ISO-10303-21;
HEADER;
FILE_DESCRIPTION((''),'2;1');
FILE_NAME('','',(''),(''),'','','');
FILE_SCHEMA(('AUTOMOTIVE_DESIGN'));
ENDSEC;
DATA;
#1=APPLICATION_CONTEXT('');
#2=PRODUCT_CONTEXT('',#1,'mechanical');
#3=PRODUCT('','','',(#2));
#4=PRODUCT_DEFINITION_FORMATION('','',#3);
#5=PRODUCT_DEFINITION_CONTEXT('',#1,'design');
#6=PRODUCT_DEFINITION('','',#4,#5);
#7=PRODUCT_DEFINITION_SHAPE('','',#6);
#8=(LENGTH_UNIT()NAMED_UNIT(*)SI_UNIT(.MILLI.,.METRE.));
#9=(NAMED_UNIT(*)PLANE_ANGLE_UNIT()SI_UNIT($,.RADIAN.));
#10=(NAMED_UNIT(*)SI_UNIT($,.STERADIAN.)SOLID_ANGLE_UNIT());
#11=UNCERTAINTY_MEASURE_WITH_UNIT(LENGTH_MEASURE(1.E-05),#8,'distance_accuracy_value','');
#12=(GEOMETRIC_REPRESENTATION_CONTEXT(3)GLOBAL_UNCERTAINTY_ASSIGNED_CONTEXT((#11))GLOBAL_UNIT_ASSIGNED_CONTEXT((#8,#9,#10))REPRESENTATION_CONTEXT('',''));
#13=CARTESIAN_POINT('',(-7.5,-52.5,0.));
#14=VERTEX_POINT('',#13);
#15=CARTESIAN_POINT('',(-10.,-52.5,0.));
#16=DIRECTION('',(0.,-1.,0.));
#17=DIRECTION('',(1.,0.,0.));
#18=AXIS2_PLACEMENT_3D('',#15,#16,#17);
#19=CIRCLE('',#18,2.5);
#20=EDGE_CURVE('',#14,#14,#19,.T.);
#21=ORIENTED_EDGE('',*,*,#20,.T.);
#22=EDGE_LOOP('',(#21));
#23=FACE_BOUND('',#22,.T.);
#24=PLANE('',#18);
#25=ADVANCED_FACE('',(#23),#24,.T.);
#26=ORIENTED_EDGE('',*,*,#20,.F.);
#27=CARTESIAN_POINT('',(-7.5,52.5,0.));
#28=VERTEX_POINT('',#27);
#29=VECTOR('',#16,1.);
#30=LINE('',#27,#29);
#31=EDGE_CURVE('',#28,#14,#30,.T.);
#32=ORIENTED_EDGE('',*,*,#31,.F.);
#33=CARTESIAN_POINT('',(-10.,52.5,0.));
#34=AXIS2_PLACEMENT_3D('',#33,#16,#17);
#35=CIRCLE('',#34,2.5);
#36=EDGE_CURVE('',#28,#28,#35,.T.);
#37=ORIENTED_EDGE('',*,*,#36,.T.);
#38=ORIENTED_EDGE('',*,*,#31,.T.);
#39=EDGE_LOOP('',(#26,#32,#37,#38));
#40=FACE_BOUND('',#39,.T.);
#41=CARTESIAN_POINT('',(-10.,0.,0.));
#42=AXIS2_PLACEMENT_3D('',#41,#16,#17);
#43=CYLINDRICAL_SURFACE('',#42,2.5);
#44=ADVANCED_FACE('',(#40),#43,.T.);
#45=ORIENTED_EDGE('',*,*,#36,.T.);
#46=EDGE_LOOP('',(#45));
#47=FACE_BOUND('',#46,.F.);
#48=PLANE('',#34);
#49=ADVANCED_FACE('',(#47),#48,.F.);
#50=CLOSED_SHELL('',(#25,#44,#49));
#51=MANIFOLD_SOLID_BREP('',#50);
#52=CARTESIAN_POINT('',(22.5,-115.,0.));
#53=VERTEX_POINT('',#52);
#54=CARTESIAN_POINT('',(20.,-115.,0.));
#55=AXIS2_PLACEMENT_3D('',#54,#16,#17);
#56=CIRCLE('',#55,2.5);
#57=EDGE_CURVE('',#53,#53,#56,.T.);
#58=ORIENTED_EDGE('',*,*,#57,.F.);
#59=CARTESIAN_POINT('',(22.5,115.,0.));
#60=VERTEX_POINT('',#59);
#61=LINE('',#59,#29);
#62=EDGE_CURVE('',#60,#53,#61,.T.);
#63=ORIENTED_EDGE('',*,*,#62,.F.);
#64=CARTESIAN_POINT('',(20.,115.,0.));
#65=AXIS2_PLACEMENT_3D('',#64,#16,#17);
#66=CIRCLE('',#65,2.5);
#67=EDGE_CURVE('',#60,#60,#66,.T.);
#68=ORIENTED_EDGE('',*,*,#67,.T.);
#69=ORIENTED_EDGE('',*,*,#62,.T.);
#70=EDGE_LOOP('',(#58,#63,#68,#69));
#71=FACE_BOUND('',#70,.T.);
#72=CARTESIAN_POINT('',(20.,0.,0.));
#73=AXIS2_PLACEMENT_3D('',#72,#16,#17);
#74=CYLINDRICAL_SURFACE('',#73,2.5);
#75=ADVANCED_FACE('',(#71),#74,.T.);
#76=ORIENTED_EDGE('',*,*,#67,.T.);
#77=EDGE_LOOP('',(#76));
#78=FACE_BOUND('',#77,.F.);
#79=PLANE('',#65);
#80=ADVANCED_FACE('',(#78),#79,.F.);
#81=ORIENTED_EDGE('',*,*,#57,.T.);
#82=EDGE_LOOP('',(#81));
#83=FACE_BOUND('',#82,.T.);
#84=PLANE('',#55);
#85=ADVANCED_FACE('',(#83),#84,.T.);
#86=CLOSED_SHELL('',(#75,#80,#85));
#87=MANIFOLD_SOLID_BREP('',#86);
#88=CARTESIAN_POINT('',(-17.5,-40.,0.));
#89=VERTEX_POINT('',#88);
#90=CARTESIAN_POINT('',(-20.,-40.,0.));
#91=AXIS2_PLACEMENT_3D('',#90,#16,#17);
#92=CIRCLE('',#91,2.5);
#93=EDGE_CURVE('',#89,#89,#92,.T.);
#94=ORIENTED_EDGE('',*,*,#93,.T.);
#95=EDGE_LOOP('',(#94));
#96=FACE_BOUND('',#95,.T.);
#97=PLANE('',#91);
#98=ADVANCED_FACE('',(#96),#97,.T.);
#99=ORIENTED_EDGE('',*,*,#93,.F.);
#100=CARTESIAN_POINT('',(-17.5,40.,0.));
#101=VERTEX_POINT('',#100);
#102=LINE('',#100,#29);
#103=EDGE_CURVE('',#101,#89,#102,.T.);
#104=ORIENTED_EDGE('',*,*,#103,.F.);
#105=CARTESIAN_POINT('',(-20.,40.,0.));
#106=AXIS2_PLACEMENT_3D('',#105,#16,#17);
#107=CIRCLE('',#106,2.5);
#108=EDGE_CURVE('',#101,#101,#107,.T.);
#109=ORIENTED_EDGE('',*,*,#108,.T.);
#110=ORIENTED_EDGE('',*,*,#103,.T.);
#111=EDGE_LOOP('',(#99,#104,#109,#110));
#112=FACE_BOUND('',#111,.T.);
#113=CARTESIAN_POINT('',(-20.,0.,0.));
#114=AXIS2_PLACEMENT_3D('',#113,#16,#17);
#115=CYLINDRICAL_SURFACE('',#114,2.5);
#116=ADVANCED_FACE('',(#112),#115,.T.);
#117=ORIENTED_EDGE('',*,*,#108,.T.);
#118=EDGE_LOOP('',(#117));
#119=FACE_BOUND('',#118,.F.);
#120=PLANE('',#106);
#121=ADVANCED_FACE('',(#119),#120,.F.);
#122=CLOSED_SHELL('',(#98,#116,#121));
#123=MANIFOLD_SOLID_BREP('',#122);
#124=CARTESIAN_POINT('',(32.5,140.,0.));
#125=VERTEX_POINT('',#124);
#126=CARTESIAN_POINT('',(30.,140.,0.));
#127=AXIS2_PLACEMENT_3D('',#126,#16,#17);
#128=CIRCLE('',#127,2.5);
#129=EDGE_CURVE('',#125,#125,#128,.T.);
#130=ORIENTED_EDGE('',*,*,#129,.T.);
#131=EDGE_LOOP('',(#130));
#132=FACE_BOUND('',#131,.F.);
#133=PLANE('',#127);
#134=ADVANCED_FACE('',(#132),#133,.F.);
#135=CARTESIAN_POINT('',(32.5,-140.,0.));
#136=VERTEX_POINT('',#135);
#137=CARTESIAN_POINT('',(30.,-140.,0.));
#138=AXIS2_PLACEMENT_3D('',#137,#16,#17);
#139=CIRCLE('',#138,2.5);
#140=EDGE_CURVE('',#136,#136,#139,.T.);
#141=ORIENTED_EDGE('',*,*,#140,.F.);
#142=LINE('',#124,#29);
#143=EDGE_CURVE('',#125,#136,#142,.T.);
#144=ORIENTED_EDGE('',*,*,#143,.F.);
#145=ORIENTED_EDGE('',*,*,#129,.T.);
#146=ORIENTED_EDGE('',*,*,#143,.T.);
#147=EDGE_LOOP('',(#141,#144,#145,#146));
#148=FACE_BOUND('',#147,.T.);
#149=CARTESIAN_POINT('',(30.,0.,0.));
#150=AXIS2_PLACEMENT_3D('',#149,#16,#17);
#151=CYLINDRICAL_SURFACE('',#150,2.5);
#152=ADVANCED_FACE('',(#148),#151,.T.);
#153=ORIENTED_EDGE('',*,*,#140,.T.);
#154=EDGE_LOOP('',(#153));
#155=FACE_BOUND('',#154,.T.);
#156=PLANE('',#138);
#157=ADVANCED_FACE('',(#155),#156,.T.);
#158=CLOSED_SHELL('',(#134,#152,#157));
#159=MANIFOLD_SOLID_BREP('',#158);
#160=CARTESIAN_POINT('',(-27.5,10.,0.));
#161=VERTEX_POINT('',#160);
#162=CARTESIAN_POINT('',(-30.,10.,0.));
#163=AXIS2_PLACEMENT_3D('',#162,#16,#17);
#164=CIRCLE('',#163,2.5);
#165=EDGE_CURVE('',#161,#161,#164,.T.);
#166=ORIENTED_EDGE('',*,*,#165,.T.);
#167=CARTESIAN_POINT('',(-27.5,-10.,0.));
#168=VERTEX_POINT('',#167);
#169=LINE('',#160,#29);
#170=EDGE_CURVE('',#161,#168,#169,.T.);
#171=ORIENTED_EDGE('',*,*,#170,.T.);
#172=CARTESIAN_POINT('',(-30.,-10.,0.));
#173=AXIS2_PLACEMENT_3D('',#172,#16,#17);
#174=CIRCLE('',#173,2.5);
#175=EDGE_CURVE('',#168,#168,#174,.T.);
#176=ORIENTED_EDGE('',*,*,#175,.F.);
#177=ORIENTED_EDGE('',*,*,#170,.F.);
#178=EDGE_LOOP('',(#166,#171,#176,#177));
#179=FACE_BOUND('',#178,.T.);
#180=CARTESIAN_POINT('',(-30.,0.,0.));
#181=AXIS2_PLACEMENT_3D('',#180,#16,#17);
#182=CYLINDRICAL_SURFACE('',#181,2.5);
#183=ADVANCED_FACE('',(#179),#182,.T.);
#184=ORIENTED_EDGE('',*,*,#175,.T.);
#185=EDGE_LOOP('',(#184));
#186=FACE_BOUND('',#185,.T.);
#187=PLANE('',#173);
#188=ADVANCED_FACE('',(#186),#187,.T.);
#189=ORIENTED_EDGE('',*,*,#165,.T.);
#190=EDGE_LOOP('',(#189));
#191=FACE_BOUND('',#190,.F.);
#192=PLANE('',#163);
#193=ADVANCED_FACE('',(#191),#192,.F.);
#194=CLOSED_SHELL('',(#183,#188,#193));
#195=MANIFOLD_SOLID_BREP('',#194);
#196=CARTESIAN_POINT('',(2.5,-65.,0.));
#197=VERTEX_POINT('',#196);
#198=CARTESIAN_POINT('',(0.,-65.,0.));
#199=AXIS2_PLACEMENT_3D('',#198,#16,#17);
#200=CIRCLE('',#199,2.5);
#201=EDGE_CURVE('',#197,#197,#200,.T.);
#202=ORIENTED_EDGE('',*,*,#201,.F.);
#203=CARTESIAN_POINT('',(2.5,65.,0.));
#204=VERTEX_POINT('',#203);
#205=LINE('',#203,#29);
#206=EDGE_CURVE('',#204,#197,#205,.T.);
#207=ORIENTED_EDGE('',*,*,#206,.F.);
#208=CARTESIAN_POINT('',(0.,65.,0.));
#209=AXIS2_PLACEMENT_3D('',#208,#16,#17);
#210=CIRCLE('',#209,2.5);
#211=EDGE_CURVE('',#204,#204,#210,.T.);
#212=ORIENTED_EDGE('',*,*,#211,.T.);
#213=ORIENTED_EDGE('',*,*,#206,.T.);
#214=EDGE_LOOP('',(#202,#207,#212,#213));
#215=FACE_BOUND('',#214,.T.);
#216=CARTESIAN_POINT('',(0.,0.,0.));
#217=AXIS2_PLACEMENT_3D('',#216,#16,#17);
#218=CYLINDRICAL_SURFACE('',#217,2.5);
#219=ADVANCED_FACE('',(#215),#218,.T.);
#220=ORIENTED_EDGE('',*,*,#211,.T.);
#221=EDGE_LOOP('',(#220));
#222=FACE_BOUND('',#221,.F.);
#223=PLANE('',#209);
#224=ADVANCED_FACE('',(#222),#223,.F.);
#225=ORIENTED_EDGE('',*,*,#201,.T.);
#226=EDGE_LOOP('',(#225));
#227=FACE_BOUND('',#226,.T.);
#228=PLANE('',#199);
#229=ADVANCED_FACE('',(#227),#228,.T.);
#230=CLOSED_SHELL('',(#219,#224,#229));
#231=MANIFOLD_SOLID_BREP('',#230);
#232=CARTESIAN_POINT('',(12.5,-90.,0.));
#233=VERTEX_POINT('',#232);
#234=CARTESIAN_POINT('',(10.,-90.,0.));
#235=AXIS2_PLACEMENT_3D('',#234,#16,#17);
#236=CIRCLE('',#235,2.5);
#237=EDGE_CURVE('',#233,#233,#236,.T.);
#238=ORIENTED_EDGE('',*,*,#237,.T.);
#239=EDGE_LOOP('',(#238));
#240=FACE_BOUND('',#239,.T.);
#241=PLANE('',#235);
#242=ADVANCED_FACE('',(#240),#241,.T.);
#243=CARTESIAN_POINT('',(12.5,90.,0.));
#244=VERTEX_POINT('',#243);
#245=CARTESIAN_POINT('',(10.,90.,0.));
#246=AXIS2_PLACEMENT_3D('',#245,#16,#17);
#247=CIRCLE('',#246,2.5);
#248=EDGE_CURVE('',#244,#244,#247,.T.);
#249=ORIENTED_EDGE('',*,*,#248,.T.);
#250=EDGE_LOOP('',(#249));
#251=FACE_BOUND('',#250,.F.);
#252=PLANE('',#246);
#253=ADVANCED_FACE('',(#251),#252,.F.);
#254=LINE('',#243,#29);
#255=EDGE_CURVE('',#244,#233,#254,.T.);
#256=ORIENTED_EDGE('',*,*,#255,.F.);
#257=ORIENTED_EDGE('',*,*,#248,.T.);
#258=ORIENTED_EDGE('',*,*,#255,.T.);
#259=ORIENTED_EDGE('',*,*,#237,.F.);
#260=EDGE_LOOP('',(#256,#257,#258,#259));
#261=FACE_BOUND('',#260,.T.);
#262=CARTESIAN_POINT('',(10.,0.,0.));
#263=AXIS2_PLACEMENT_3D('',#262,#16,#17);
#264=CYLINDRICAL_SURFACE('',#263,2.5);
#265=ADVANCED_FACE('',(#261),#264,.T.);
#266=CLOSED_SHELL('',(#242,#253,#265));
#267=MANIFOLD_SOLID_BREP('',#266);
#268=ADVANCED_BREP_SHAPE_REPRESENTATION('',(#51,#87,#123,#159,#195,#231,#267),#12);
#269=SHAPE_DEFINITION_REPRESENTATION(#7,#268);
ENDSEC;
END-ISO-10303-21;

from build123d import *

# Parameters (mm, degrees)
F0_R     = 2.5
F1_DEPTH = 10
F2_DEPTH = 40
F3_DEPTH = 52.5
F4_DEPTH = 65
F5_DEPTH = 90
F6_DEPTH = 115
F7_DEPTH = 140


with BuildPart() as f1:
    # F0 (on Front) → F1 (new body, symmetric)
    with BuildSketch(Plane.XZ):
        with Locations((-30, 0)):
            Circle(F0_R)
    extrude(amount=F1_DEPTH, both=True)


with BuildPart() as f2:
    # F0 (on Front) → F2 (new body, symmetric)
    with BuildSketch(Plane.XZ):
        with Locations((-20, 0)):
            Circle(F0_R)
    extrude(amount=F2_DEPTH, both=True)


with BuildPart() as f3:
    # F0 (on Front) → F3 (new body, symmetric)
    with BuildSketch(Plane.XZ):
        with Locations((-10, 0)):
            Circle(F0_R)
    extrude(amount=F3_DEPTH, both=True)


with BuildPart() as f4:
    # F0 (on Front) → F4 (new body, symmetric)
    with BuildSketch(Plane.XZ):
        Circle(F0_R)
    extrude(amount=F4_DEPTH, both=True)


with BuildPart() as f5:
    # F0 (on Front) → F5 (new body, symmetric)
    with BuildSketch(Plane.XZ):
        with Locations((10, 0)):
            Circle(F0_R)
    extrude(amount=F5_DEPTH, both=True)


with BuildPart() as f6:
    # F0 (on Front) → F6 (new body, symmetric)
    with BuildSketch(Plane.XZ):
        with Locations((20, 0)):
            Circle(F0_R)
    extrude(amount=F6_DEPTH, both=True)


with BuildPart() as f7:
    # F0 (on Front) → F7 (new body, symmetric)
    with BuildSketch(Plane.XZ):
        with Locations((30, 0)):
            Circle(F0_R)
    extrude(amount=F7_DEPTH, both=True)


solid = Compound([f1.part, f2.part, f3.part, f4.part, f5.part, f6.part, f7.part])
